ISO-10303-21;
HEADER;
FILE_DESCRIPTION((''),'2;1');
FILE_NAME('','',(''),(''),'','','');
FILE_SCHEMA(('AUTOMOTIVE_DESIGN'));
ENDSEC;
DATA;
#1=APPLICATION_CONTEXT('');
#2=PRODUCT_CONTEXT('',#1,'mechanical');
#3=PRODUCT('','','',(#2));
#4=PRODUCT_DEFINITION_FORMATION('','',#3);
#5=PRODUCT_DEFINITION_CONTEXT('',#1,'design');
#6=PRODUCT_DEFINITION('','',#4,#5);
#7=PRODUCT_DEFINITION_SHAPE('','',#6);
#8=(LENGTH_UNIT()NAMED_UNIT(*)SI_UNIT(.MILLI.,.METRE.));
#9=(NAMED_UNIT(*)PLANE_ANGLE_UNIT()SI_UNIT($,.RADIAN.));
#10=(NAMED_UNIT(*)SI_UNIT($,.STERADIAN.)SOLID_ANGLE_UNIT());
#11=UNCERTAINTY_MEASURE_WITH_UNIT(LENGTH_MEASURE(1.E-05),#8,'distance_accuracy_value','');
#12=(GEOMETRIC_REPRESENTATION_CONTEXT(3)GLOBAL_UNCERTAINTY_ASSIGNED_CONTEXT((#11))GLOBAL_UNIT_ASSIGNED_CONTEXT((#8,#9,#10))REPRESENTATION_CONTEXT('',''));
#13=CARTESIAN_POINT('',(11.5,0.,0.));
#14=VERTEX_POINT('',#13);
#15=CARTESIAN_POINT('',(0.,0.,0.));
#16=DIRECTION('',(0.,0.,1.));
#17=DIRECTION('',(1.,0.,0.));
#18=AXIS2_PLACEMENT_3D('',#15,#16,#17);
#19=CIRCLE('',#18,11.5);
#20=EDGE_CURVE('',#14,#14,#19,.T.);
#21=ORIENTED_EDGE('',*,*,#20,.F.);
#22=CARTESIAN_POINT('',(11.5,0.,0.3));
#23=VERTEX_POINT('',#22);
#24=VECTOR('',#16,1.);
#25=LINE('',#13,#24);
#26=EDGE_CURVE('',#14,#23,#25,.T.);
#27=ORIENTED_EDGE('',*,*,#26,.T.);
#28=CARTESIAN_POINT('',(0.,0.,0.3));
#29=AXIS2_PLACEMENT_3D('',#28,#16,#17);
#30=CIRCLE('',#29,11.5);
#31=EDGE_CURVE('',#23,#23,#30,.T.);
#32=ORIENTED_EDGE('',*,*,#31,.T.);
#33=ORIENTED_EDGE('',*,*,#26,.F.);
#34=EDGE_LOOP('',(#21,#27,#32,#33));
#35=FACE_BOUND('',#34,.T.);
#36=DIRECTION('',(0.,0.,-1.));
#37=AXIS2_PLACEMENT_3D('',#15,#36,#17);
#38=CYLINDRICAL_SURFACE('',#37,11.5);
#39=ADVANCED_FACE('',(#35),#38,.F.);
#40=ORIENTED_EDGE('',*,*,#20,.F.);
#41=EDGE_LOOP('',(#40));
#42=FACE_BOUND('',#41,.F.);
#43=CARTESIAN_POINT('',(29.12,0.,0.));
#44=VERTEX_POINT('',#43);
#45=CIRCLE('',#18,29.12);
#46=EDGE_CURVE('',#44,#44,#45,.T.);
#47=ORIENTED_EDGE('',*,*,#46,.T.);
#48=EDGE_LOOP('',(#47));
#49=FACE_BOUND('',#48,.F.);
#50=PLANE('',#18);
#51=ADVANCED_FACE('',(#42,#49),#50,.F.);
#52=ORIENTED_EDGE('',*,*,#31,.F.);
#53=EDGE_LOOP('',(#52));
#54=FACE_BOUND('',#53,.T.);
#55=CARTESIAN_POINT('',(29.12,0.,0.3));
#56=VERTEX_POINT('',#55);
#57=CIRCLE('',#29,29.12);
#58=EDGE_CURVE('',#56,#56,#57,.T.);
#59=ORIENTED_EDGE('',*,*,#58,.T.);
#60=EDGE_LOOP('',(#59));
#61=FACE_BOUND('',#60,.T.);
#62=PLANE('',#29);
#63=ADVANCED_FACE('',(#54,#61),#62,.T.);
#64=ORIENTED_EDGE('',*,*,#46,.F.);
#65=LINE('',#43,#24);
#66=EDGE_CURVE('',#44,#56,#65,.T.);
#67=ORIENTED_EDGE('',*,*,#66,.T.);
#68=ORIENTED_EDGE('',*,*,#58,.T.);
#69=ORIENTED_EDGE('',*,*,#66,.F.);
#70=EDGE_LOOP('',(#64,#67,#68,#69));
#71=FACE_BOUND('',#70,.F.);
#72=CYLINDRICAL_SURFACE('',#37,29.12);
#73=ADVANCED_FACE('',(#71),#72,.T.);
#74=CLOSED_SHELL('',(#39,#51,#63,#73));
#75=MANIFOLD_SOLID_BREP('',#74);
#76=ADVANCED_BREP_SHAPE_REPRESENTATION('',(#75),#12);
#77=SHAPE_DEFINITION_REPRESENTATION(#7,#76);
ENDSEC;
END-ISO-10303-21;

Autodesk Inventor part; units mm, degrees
ref_plane "YZ Plane" through (0, 0, 0) normal (1, 0, 0) x (0, 1, 0)
ref_plane "XZ Plane" through (0, 0, 0) normal (0, 1, 0) x (-1, 0, 0)
ref_plane "XY Plane" through (0, 0, 0) normal (0, 0, 1) x (1, 0, 0)
sketch "Sketch1" plane through (0, 0, 0) normal (0, 0, 1) x (1, 0, 0)
  circle A0 centre (0, 0) radius 29.12
  spline S0 degree 3 poles (-11.9075, -16.7717) (-12.086, -16.7855) (-12.2588, -16.8244) (-12.5934, -16.9566) (-12.7523, -17.0491) (-13.1401, -17.3576) (-13.3337, -17.6127) (-13.4879, -17.8856) knots -0.20259 -0.20259 -0.20259 -0.20259 -0.148567 -0.148567 -0.094046 -0.094046 0 0 0 0
  spline S1 degree 3 poles (-10.0812, -17.2756) (-10.3794, -17.1072) (-10.7111, -16.9507) (-11.3404, -16.7781) (-11.626, -16.7509) (-11.9075, -16.7717) knots -0.178551 -0.178551 -0.178551 -0.178551 -0.084682 -0.084682 0 0 0 0
  line L0 (-7.7154, -18.612) -> (-10.0812, -17.2756)
  line L1 (-11.1583, -24.7069) -> (-7.7154, -18.612)
  line L2 (-12.6894, -23.8419) -> (-11.1583, -24.7069)
  line L3 (-11.5622, -21.8466) -> (-12.6894, -23.8419)
  line L4 (-12.3624, -21.3946) -> (-11.5622, -21.8466)
  spline S2 degree 3 poles (-13.3296, -20.5811) (-13.2082, -20.736) (-13.0703, -20.8775) (-12.8431, -21.0755) (-12.6688, -21.2215) (-12.3624, -21.3946) knots -0.304465 -0.304465 -0.304465 -0.304465 -0.105593 -0.105593 0 0 0 0
  spline S3 degree 3 poles (-13.7846, -19.6335) (-13.7433, -19.8022) (-13.685, -19.9651) (-13.5697, -20.2108) (-13.4849, -20.3798) (-13.3296, -20.5811) knots -0.211773 -0.211773 -0.211773 -0.211773 -0.07625 -0.07625 0 0 0 0
  spline S4 degree 3 poles (-13.4879, -17.8856) (-13.5813, -18.0509) (-13.6584, -18.2235) (-13.7744, -18.5785) (-13.8153, -18.7636) (-13.8576, -19.177) (-13.845, -19.408) (-13.7846, -19.6335) knots -0.181189 -0.181189 -0.181189 -0.181189 -0.12469 -0.12469 -0.070002 -0.070002 0 0 0 0
  spline S5 degree 3 poles (-3.098, -19.6093) (-3.5995, -19.53) (-4.1119, -19.5258) (-4.9872, -19.7428) (-5.336, -19.9081) (-5.8954, -20.327) (-6.2031, -20.6109) (-6.7632, -21.5612) (-6.9293, -22.1193) (-7.0183, -22.6822) knots -0.803042 -0.803042 -0.803042 -0.803042 -0.536977 -0.536977 -0.330685 -0.330685 -0.170955 -0.170955 0 0 0 0
  spline S6 degree 3 poles (-0.3227, -23.741) (-0.2718, -23.4189) (-0.2455, -23.0908) (-0.2648, -22.4708) (-0.3034, -22.1789) (-0.5023, -21.4398) (-0.6961, -21.0977) (-1.1107, -20.5353) (-1.3922, -20.2811) (-2.1435, -19.8313) (-2.6154, -19.6856) (-3.098, -19.6093) knots -0.479254 -0.479254 -0.479254 -0.479254 -0.41452 -0.41452 -0.356105 -0.356105 -0.262594 -0.262594 -0.146589 -0.146589 0 0 0 0
  spline S7 degree 3 poles (-4.2374, -26.8147) (-3.7386, -26.8936) (-3.2285, -26.8982) (-2.3601, -26.6833) (-2.015, -26.5203) (-1.4323, -26.0851) (-1.1292, -25.7911) (-0.5788, -24.861) (-0.4118, -24.3043) (-0.3227, -23.741) knots -0.728851 -0.728851 -0.728851 -0.728851 -0.500216 -0.500216 -0.324019 -0.324019 -0.171091 -0.171091 0 0 0 0
  spline S8 degree 3 poles (-7.0183, -22.6822) (-7.0686, -23.0001) (-7.0951, -23.3241) (-7.079, -23.9356) (-7.043, -24.2235) (-6.8418, -24.9989) (-6.6342, -25.3416) (-6.2365, -25.8816) (-5.9526, -26.1383) (-5.1963, -26.5915) (-4.7225, -26.738) (-4.2374, -26.8147) knots -0.448983 -0.448983 -0.448983 -0.448983 -0.396063 -0.396063 -0.348437 -0.348437 -0.26439 -0.26439 -0.147326 -0.147326 0 0 0 0
  spline S9 degree 3 poles (9.7964, -22.9748) (9.873, -23.1091) (9.9611, -23.2363) (10.1586, -23.4637) (10.2652, -23.5632) (10.5993, -23.8097) (10.8409, -23.9174) (11.3557, -24.0436) (11.7011, -24.0855) (12.6436, -23.9411) (13.1336, -23.7358) (13.5793, -23.4816) knots -0.573293 -0.573293 -0.573293 -0.573293 -0.495269 -0.495269 -0.421354 -0.421354 -0.285769 -0.285769 -0.153911 -0.153911 0 0 0 0
  spline S10 degree 3 poles (10.1128, -20.6327) (9.9812, -20.7887) (9.8593, -20.9571) (9.6734, -21.2903) (9.6029, -21.4546) (9.5083, -21.8196) (9.4931, -22.0143) (9.5618, -22.4912) (9.6645, -22.7435) (9.7964, -22.9748) knots -0.267973 -0.267973 -0.267973 -0.267973 -0.2019 -0.2019 -0.14446 -0.14446 -0.079889 -0.079889 0 0 0 0
  spline S11 degree 3 poles (11.1303, -19.6344) (10.9594, -19.7906) (10.7883, -19.9482) (10.4605, -20.2529) (10.3598, -20.3495) (10.1128, -20.6327) knots -0.233565 -0.233565 -0.233565 -0.233565 -0.112749 -0.112749 0 0 0 0
  spline S12 degree 3 poles (11.5822, -18.5604) (11.612, -18.6128) (11.6358, -18.6685) (11.6628, -18.7815) (11.667, -18.8365) (11.6526, -18.9826) (11.6201, -19.0532) (11.5167, -19.2467) (11.3517, -19.4308) (11.1303, -19.6344) knots -0.147436 -0.147436 -0.147436 -0.147436 -0.130795 -0.130795 -0.115368 -0.115368 -0.09026 -0.09026 0 0 0 0
  spline S13 degree 3 poles (10.9597, -18.282) (11.0119, -18.2769) (11.064, -18.2773) (11.169, -18.2893) (11.2208, -18.301) (11.3587, -18.3464) (11.4141, -18.3806) (11.5054, -18.451) (11.5486, -18.5016) (11.5822, -18.5604) knots -0.050985 -0.050985 -0.050985 -0.050985 -0.042849 -0.042849 -0.034581 -0.034581 -0.020323 -0.020323 0 0 0 0
  spline S14 degree 3 poles (10.1862, -18.5403) (10.305, -18.4726) (10.4335, -18.4094) (10.6285, -18.342) (10.7569, -18.3024) (10.9597, -18.282) knots -0.181503 -0.181503 -0.181503 -0.181503 -0.061137 -0.061137 0 0 0 0
  spline S15 degree 3 poles (8.7516, -20.2728) (8.8988, -19.8634) (9.1304, -19.5268) (9.5456, -18.9963) (9.8398, -18.7379) (10.1862, -18.5403) knots -0.202104 -0.202104 -0.202104 -0.202104 -0.119641 -0.119641 0 0 0 0
  line L5 (8.6186, -20.3487) -> (8.7516, -20.2728)
  line L6 (7.826, -18.9592) -> (8.6186, -20.3487)
  spline S16 degree 3 poles (9.6327, -17.3866) (9.2693, -17.594) (8.9309, -17.8365) (8.3425, -18.3546) (8.0628, -18.6388) (7.826, -18.9592) knots -0.256315 -0.256315 -0.256315 -0.256315 -0.119514 -0.119514 0 0 0 0
  spline S17 degree 3 poles (13.251, -17.8567) (13.1848, -17.7407) (13.1089, -17.631) (12.9386, -17.4329) (12.8465, -17.3454) (12.5438, -17.1152) (12.3176, -17.0112) (11.7887, -16.8735) (11.4213, -16.8389) (10.5222, -16.9611) (10.0601, -17.1429) (9.6327, -17.3866) knots -0.489668 -0.489668 -0.489668 -0.489668 -0.433118 -0.433118 -0.379048 -0.379048 -0.272086 -0.272086 -0.147592 -0.147592 0 0 0 0
  spline S18 degree 3 poles (12.9162, -20.3268) (13.0547, -20.1676) (13.1845, -19.9949) (13.3806, -19.6559) (13.4552, -19.4893) (13.5341, -19.1934) (13.5804, -18.9652) (13.5005, -18.3783) (13.3939, -18.1073) (13.251, -17.8567) knots -0.461771 -0.461771 -0.461771 -0.461771 -0.308608 -0.308608 -0.177631 -0.177631 -0.086532 -0.086532 0 0 0 0
  spline S19 degree 3 poles (11.7818, -21.4179) (11.9665, -21.2344) (12.1601, -21.056) (12.4294, -20.8205) (12.663, -20.6175) (12.9162, -20.3268) knots -0.424502 -0.424502 -0.424502 -0.424502 -0.115659 -0.115659 0 0 0 0
  spline S20 degree 3 poles (11.5074, -22.345) (11.4826, -22.3016) (11.4628, -22.2558) (11.4371, -22.1618) (11.431, -22.1152) (11.4331, -21.9724) (11.4615, -21.8956) (11.5529, -21.6815) (11.6558, -21.5407) (11.7818, -21.4179) knots -0.087282 -0.087282 -0.087282 -0.087282 -0.078342 -0.078342 -0.069852 -0.069852 -0.052789 -0.052789 0 0 0 0
  spline S21 degree 3 poles (12.1847, -22.6509) (12.1253, -22.6572) (12.0659, -22.658) (11.948, -22.6472) (11.8906, -22.636) (11.7833, -22.6034) (11.7243, -22.5804) (11.5982, -22.4806) (11.5477, -22.4157) (11.5074, -22.345) knots -0.101132 -0.101132 -0.101132 -0.101132 -0.074483 -0.074483 -0.048246 -0.048246 -0.024412 -0.024412 0 0 0 0
  spline S22 degree 3 poles (12.942, -22.3757) (12.8032, -22.4549) (12.6097, -22.5333) (12.4074, -22.6084) (12.2905, -22.6418) (12.1847, -22.6509) knots -0.057311 -0.057311 -0.057311 -0.057311 -0.031864 -0.031864 0 0 0 0
  spline S23 degree 3 poles (14.5555, -20.3844) (14.3497, -20.9514) (14.0707, -21.3431) (13.5958, -21.9066) (13.2936, -22.1752) (12.942, -22.3757) knots -0.221118 -0.221118 -0.221118 -0.221118 -0.12144 -0.12144 0 0 0 0
  line L7 (14.6935, -20.3057) -> (14.5555, -20.3844)
  line L8 (15.5198, -21.7544) -> (14.6935, -20.3057)
  spline S24 degree 3 poles (13.5793, -23.4816) (13.9855, -23.2499) (14.3927, -22.9722) (14.8147, -22.5631) (15.1635, -22.2305) (15.5198, -21.7544) knots -0.877949 -0.877949 -0.877949 -0.877949 -0.178404 -0.178404 0 0 0 0
  spline S25 degree 3 poles (-18.1304, 8.8173) (-17.9728, 8.9559) (-17.818, 9.1055) (-17.6216, 9.3271) (-17.4778, 9.4935) (-17.2255, 9.9064) knots -0.498689 -0.498689 -0.498689 -0.498689 -0.145143 -0.145143 0 0 0 0
  spline S26 degree 3 poles (-18.9751, 8.1967) (-18.8415, 8.2847) (-18.7005, 8.3801) (-18.4363, 8.5607) (-18.3335, 8.6325) (-18.1304, 8.8173) knots -0.1644 -0.1644 -0.1644 -0.1644 -0.08237 -0.08237 0 0 0 0
  line L9 (-20.3788, 9.0546) -> (-18.9751, 8.1967)
  line L10 (-20.2959, 9.1902) -> (-20.3788, 9.0546)
  spline S27 degree 3 poles (-19.4381, 9.5168) (-19.5873, 9.4382) (-19.7448, 9.3669) (-20.0344, 9.2701) (-20.1646, 9.2282) (-20.2959, 9.1902) knots -0.091625 -0.091625 -0.091625 -0.091625 -0.04101 -0.04101 0 0 0 0
  spline S28 degree 3 poles (-18.4974, 10.338) (-18.6159, 10.1442) (-18.763, 9.9756) (-19.0246, 9.769) (-19.221, 9.6191) (-19.4381, 9.5168) knots -0.226077 -0.226077 -0.226077 -0.226077 -0.071989 -0.071989 0 0 0 0
  spline S29 degree 3 poles (-18.2577, 11.6874) (-18.2301, 11.5674) (-18.2142, 11.4455) (-18.2108, 11.2035) (-18.2223, 11.0859) (-18.271, 10.8619) (-18.3291, 10.6134) (-18.4974, 10.338) knots -0.30907 -0.30907 -0.30907 -0.30907 -0.201049 -0.201049 -0.096825 -0.096825 0 0 0 0
  spline S30 degree 3 poles (-19.4782, 13.1713) (-19.2716, 13.045) (-19.0679, 12.8996) (-18.8111, 12.6601) (-18.6531, 12.5037) (-18.3913, 12.0891) (-18.3034, 11.895) (-18.2577, 11.6874) knots -0.332846 -0.332846 -0.332846 -0.332846 -0.14713 -0.14713 -0.063762 -0.063762 0 0 0 0
  spline S31 degree 3 poles (-21.3232, 13.6008) (-21.1949, 13.6303) (-21.0629, 13.6415) (-20.7812, 13.6376) (-20.6299, 13.6185) (-20.3205, 13.5566) (-19.9732, 13.4738) (-19.4782, 13.1713) knots -0.470219 -0.470219 -0.470219 -0.470219 -0.331835 -0.331835 -0.174011 -0.174011 0 0 0 0
  spline S32 degree 3 poles (-22.4604, 12.7735) (-22.3904, 12.8881) (-22.3109, 12.9967) (-22.1518, 13.1717) (-22.0549, 13.2662) (-21.7548, 13.4737) (-21.5411, 13.5527) (-21.3232, 13.6008) knots -0.165131 -0.165131 -0.165131 -0.165131 -0.109374 -0.109374 -0.066951 -0.066951 0 0 0 0
  spline S33 degree 3 poles (-22.7512, 11.6016) (-22.7536, 11.8007) (-22.7322, 11.9986) (-22.6728, 12.2859) (-22.6229, 12.5076) (-22.4604, 12.7735) knots -0.290938 -0.290938 -0.290938 -0.290938 -0.093474 -0.093474 0 0 0 0
  spline S34 degree 3 poles (-22.6539, 10.6513) (-22.6764, 10.7846) (-22.6988, 10.9358) (-22.7398, 11.2265) (-22.7525, 11.3258) (-22.7512, 11.6016) knots -0.152838 -0.152838 -0.152838 -0.152838 -0.082731 -0.082731 0 0 0 0
  line L11 (-22.7456, 10.5012) -> (-22.6539, 10.6513)
  line L12 (-24.1686, 11.3709) -> (-22.7456, 10.5012)
  spline S35 degree 3 poles (-24.0083, 12.4164) (-24.0532, 12.2392) (-24.0867, 12.0524) (-24.1234, 11.7895) (-24.1547, 11.5642) (-24.1686, 11.3709) knots -0.18646 -0.18646 -0.18646 -0.18646 -0.058134 -0.058134 0 0 0 0
  spline S36 degree 3 poles (-23.4336, 13.694) (-23.5626, 13.4829) (-23.6852, 13.2575) (-23.818, 12.9482) (-23.9164, 12.7188) (-24.0083, 12.4164) knots -0.358594 -0.358594 -0.358594 -0.358594 -0.094817 -0.094817 0 0 0 0
  spline S37 degree 3 poles (-18.5364, 14.7231) (-18.7987, 14.8834) (-19.0745, 15.0241) (-19.6236, 15.2337) (-19.8939, 15.3075) (-20.7042, 15.4239) (-21.1195, 15.3562) (-21.7799, 15.196) (-22.1388, 15.0282) (-22.8594, 14.4946) (-23.1768, 14.114) (-23.4336, 13.694) knots -0.441637 -0.441637 -0.441637 -0.441637 -0.394486 -0.394486 -0.351486 -0.351486 -0.26892 -0.26892 -0.147692 -0.147692 0 0 0 0
  spline S38 degree 3 poles (-17.2255, 9.9064) (-17.0775, 10.1485) (-16.9489, 10.4033) (-16.7596, 10.9132) (-16.6948, 11.1645) (-16.606, 11.8736) (-16.6598, 12.2507) (-16.8368, 12.9354) (-17.0169, 13.2931) (-17.6046, 14.0668) (-18.0556, 14.4292) (-18.5364, 14.7231) knots -0.488562 -0.488562 -0.488562 -0.488562 -0.432469 -0.432469 -0.381055 -0.381055 -0.291208 -0.291208 -0.169067 -0.169067 0 0 0 0
  line L13 (-9.1859, 17.9401) -> (-4.7403, 19.5582)
  line L14 (-9.6419, 19.1928) -> (-9.1859, 17.9401)
  line L15 (-6.838, 20.2133) -> (-9.6419, 19.1928)
  line L16 (-7.4434, 21.8764) -> (-6.838, 20.2133)
  line L17 (-10.0287, 20.9355) -> (-7.4434, 21.8764)
  line L18 (-10.4846, 22.1881) -> (-10.0287, 20.9355)
  line L19 (-7.8993, 23.1291) -> (-10.4846, 22.1881)
  line L20 (-8.3203, 24.2858) -> (-7.8993, 23.1291)
  line L21 (-11.1242, 23.2653) -> (-8.3203, 24.2858)
  line L22 (-11.5801, 24.518) -> (-11.1242, 23.2653)
  line L23 (-7.1345, 26.1361) -> (-11.5801, 24.518)
  line L24 (-4.7403, 19.5582) -> (-7.1345, 26.1361)
  line L25 (10.0397, 17.4767) -> (13.8185, 14.6302)
  line L26 (10.8417, 18.5415) -> (10.0397, 17.4767)
  line L27 (13.225, 16.7462) -> (10.8417, 18.5415)
  line L28 (14.2899, 18.1599) -> (13.225, 16.7462)
  line L29 (12.0924, 19.8152) -> (14.2899, 18.1599)
  line L30 (12.8944, 20.88) -> (12.0924, 19.8152)
  line L31 (15.092, 19.2247) -> (12.8944, 20.88)
  line L32 (15.8326, 20.2079) -> (15.092, 19.2247)
  line L33 (13.4493, 22.0031) -> (15.8326, 20.2079)
  line L34 (14.2513, 23.0679) -> (13.4493, 22.0031)
  line L35 (18.0302, 20.2215) -> (14.2513, 23.0679)
  line L36 (13.8185, 14.6302) -> (18.0302, 20.2215)
  line L37 (19.0555, 6.5665) -> (20.031, 1.9372)
  line L38 (20.3599, 6.8414) -> (19.0555, 6.5665)
  line L39 (20.9752, 3.9217) -> (20.3599, 6.8414)
  line L40 (22.707, 4.2867) -> (20.9752, 3.9217)
  line L41 (22.1397, 6.9788) -> (22.707, 4.2867)
  line L42 (23.4441, 7.2537) -> (22.1397, 6.9788)
  line L43 (24.0114, 4.5616) -> (23.4441, 7.2537)
  line L44 (25.2159, 4.8154) -> (24.0114, 4.5616)
  line L45 (24.6006, 7.7351) -> (25.2159, 4.8154)
  line L46 (25.905, 8.01) -> (24.6006, 7.7351)
  line L47 (26.8806, 3.3807) -> (25.905, 8.01)
  line L48 (20.031, 1.9372) -> (26.8806, 3.3807)
  line L49 (20.865, 17.505) -> (14.9583, 13.7484)
  line L50 (21.9518, 15.7961) -> (20.865, 17.505)
  line L51 (19.8647, 12.6403) -> (21.9518, 15.7961)
  line L52 (23.6139, 13.1827) -> (19.8647, 12.6403)
  line L53 (24.7007, 11.4738) -> (23.6139, 13.1827)
  line L54 (18.794, 7.7173) -> (24.7007, 11.4738)
  line L55 (17.9051, 9.115) -> (18.794, 7.7173)
  line L56 (21.8205, 11.6052) -> (17.9051, 9.115)
  line L57 (18.6113, 11.07) -> (21.8205, 11.6052)
  line L58 (17.966, 12.0848) -> (18.6113, 11.07)
  line L59 (19.8114, 14.7643) -> (17.966, 12.0848)
  line L60 (15.8959, 12.2742) -> (19.8114, 14.7643)
  line L61 (14.9583, 13.7484) -> (15.8959, 12.2742)
  line L62 (6.077, 22.2007) -> (2.8939, 20.1322)
  spline S39 degree 3 poles (5.4854, 24.6157) (5.3939, 24.3447) (5.334, 24.0582) (5.338, 23.5934) (5.3641, 23.3518) (5.6291, 22.7239) (5.8294, 22.4447) (6.077, 22.2007) knots -0.364955 -0.364955 -0.364955 -0.364955 -0.204435 -0.204435 -0.104304 -0.104304 0 0 0 0
  spline S40 degree 3 poles (6.7548, 25.8217) (6.5791, 25.7785) (6.4123, 25.7125) (6.0098, 25.4761) (5.8713, 25.315) (5.6751, 25.0793) (5.5644, 24.8496) (5.4854, 24.6157) knots -0.103229 -0.103229 -0.103229 -0.103229 -0.09192 -0.09192 -0.074055 -0.074055 0 0 0 0
  spline S41 degree 3 poles (8.5944, 25.5957) (8.2806, 25.7016) (7.9367, 25.799) (7.4715, 25.8723) (7.1572, 25.9142) (6.7548, 25.8217) knots -0.419777 -0.419777 -0.419777 -0.419777 -0.123883 -0.123883 0 0 0 0
  line L63 (11.2602, 24.6956) -> (8.5944, 25.5957)
  line L64 (9.0208, 18.0634) -> (11.2602, 24.6956)
  line L65 (7.3655, 18.6224) -> (9.0208, 18.0634)
  line L66 (8.1875, 21.057) -> (7.3655, 18.6224)
  line L67 (7.5856, 21.2603) -> (8.1875, 21.057)
  line L68 (4.9201, 19.448) -> (7.5856, 21.2603)
  line L69 (2.8939, 20.1322) -> (4.9201, 19.448)
  line L70 (-3.5721, 23.765) -> (-3.4869, 20.3171)
  line L71 (-0.5155, 23.8406) -> (-3.5721, 23.765)
  line L72 (-0.4832, 22.5306) -> (-0.5155, 23.8406)
  line L73 (-1.8385, 22.4971) -> (-0.4832, 22.5306)
  line L74 (-1.8044, 21.1191) -> (-1.8385, 22.4971)
  spline S42 degree 3 poles (-1.3617, 21.113) (-1.434, 21.1112) (-1.5108, 21.1117) (-1.6314, 21.1142) (-1.7172, 21.1161) (-1.8044, 21.1191) knots -0.065191 -0.065191 -0.065191 -0.065191 -0.026183 -0.026183 0 0 0 0
  spline S43 degree 3 poles (0.8702, 23.5627) (0.8759, 23.3307) (0.8652, 23.0942) (0.7969, 22.6669) (0.7454, 22.471) (0.5802, 22.0866) (0.4638, 21.9055) (0.1991, 21.6361) (-0.0009, 21.4572) (-0.6536, 21.1791) (-1.0086, 21.1217) (-1.3617, 21.113) knots -0.647494 -0.647494 -0.647494 -0.647494 -0.49232 -0.49232 -0.358299 -0.358299 -0.212691 -0.212691 -0.105964 -0.105964 0 0 0 0
  spline S44 degree 3 poles (0.2265, 25.2718) (0.3242, 25.1769) (0.4092, 25.0712) (0.563, 24.8335) (0.629, 24.7017) (0.7463, 24.4093) (0.8571, 24.0909) (0.8702, 23.5627) knots -0.425401 -0.425401 -0.425401 -0.425401 -0.297011 -0.297011 -0.158513 -0.158513 0 0 0 0
  spline S45 degree 3 poles (-1.2678, 25.808) (-0.8998, 25.8171) (-0.6167, 25.7527) (-0.165, 25.5802) (0.0435, 25.446) (0.2265, 25.2718) knots -0.145071 -0.145071 -0.145071 -0.145071 -0.075784 -0.075784 0 0 0 0
  spline S46 degree 3 poles (-2.597, 25.4063) (-2.4106, 25.522) (-2.2044, 25.6118) (-1.8895, 25.7185) (-1.6371, 25.7989) (-1.2678, 25.808) knots -0.325583 -0.325583 -0.325583 -0.325583 -0.110815 -0.110815 0 0 0 0
  spline S47 degree 3 poles (-3.4104, 24.7961) (-3.3055, 24.8814) (-3.1562, 25.0028) (-2.9957, 25.1335) (-2.8208, 25.2759) (-2.597, 25.4063) knots -0.212632 -0.212632 -0.212632 -0.212632 -0.077698 -0.077698 0 0 0 0
  line L75 (-3.5692, 24.7921) -> (-3.4104, 24.7961)
  line L76 (-3.6098, 26.4367) -> (-3.5692, 24.7921)
  spline S48 degree 3 poles (-1.0619, 27.1182) (-1.5619, 27.1058) (-2.0723, 27.0529) (-2.8731, 26.7876) (-3.2482, 26.6234) (-3.6098, 26.4367) knots -0.253073 -0.253073 -0.253073 -0.253073 -0.122087 -0.122087 0 0 0 0
  spline S49 degree 3 poles (2.6856, 23.5792) (2.6782, 23.877) (2.6468, 24.1748) (2.525, 24.7335) (2.44, 24.9934) (2.1131, 25.688) (1.8437, 26.0041) (1.2967, 26.5156) (0.9432, 26.7311) (0.0351, 27.0685) (-0.5156, 27.1317) (-1.0619, 27.1182) knots -0.502065 -0.502065 -0.502065 -0.502065 -0.442916 -0.442916 -0.388497 -0.388497 -0.290476 -0.290476 -0.163933 -0.163933 0 0 0 0
  spline S50 degree 3 poles (-0.8308, 19.838) (-0.5152, 19.8458) (-0.199, 19.8798) (0.39, 20.0131) (0.6621, 20.106) (1.3491, 20.4478) (1.6399, 20.7085) (2.1074, 21.215) (2.3102, 21.5578) (2.6393, 22.4602) (2.6993, 23.0248) (2.6856, 23.5792) knots -0.480218 -0.480218 -0.480218 -0.480218 -0.424147 -0.424147 -0.372991 -0.372991 -0.287915 -0.287915 -0.166369 -0.166369 0 0 0 0
  spline S51 degree 3 poles (-3.4869, 20.3171) (-3.1169, 20.1769) (-2.6681, 20.0643) (-2.0696, 19.9343) (-1.5259, 19.8209) (-0.8308, 19.838) knots -0.581904 -0.581904 -0.581904 -0.581904 -0.208577 -0.208577 0 0 0 0
  line L77 (-19.3094, 19.1107) -> (-14.9108, 13.6654)
  line L78 (-18.0606, 20.1195) -> (-19.3094, 19.1107)
  line L79 (-15.5405, 16.9996) -> (-18.0606, 20.1195)
  line L80 (-16.322, 21.5239) -> (-15.5405, 16.9996)
  line L81 (-14.6451, 22.8784) -> (-16.322, 21.5239)
  line L82 (-10.2465, 17.4331) -> (-14.6451, 22.8784)
  line L83 (-11.4953, 16.4243) -> (-10.2465, 17.4331)
  line L84 (-14.5608, 20.2193) -> (-11.4953, 16.4243)
  line L85 (-13.5958, 14.7276) -> (-14.5608, 20.2193)
  line L86 (-14.9108, 13.6654) -> (-13.5958, 14.7276)
  line L87 (-26.6074, 4.7659) -> (-27.0402, 2.8748)
  line L88 (-23.8794, 5.4974) -> (-26.6074, 4.7659)
  line L89 (-26.0075, 7.3869) -> (-23.8794, 5.4974)
  line L90 (-25.5607, 9.3389) -> (-26.0075, 7.3869)
  line L91 (-22.05, 6.0156) -> (-25.5607, 9.3389)
  line L92 (-19.2852, 5.3828) -> (-22.05, 6.0156)
  line L93 (-19.6775, 3.6686) -> (-19.2852, 5.3828)
  line L94 (-22.5253, 4.3204) -> (-19.6775, 3.6686)
  line L95 (-27.0402, 2.8748) -> (-22.5253, 4.3204)
  line L96 (4.3092, -26.6684) -> (6.0352, -26.3315)
  line L97 (3.2236, -21.1064) -> (4.3092, -26.6684)
  line L98 (1.1915, -21.503) -> (3.2236, -21.1064)
  line L99 (0.9361, -20.1947) -> (1.1915, -21.503)
  line L100 (6.7264, -19.0645) -> (0.9361, -20.1947)
  line L101 (6.9817, -20.3729) -> (6.7264, -19.0645)
  line L102 (4.9496, -20.7696) -> (6.9817, -20.3729)
  line L103 (6.0352, -26.3315) -> (4.9496, -20.7696)
  circle A1 centre (0, 0) radius 11.5
extrude "Extrusion1" add sketch "Sketch1" along normal blind 0.3 contours A0 | S1 L0 L1 L2 L3 L4 S2 S3 S4 S0 | S6 S7 S8 S5 | S10 S11 S12 S13 S14 S15 L5 L6 S16 S17 S18 S19 S20 S21 S22 S23 L7 L8 S24 S9 | S26 L9 L10 S27 S28 S29 S30 S31 S32 S33 S34 L11 L12 S35 S36 S37 S38 S25 | L14 L15 L16 L17 L18 L19 L20 L21 L22 L23 L24 L13 | L26 L27 L28 L29 L30 L31 L32 L33 L34 L35 L36 L25 | L38 L39 L40 L41 L42 L43 L44 L45 L46 L47 L48 L37 | L50 L51 L52 L53 L54 L55 L56 L57 L58 L59 L60 L61 L49 | S39 S40 S41 L63 L64 L65 L66 L67 L68 L69 L62 | L71 L72 L73 L74 S42 S43 S44 S45 S46 S47 L75 L76 S48 S49 S50 S51 L70 | L78 L79 L80 L81 L82 L83 L84 L85 L86 L77 | L88 L89 L90 L91 L92 L93 L94 L95 L87 | L97 L98 L99 L100 L101 L102 L103 L96
properties part number "E-Stop Plate (Black)" material "UHMW, Black"
